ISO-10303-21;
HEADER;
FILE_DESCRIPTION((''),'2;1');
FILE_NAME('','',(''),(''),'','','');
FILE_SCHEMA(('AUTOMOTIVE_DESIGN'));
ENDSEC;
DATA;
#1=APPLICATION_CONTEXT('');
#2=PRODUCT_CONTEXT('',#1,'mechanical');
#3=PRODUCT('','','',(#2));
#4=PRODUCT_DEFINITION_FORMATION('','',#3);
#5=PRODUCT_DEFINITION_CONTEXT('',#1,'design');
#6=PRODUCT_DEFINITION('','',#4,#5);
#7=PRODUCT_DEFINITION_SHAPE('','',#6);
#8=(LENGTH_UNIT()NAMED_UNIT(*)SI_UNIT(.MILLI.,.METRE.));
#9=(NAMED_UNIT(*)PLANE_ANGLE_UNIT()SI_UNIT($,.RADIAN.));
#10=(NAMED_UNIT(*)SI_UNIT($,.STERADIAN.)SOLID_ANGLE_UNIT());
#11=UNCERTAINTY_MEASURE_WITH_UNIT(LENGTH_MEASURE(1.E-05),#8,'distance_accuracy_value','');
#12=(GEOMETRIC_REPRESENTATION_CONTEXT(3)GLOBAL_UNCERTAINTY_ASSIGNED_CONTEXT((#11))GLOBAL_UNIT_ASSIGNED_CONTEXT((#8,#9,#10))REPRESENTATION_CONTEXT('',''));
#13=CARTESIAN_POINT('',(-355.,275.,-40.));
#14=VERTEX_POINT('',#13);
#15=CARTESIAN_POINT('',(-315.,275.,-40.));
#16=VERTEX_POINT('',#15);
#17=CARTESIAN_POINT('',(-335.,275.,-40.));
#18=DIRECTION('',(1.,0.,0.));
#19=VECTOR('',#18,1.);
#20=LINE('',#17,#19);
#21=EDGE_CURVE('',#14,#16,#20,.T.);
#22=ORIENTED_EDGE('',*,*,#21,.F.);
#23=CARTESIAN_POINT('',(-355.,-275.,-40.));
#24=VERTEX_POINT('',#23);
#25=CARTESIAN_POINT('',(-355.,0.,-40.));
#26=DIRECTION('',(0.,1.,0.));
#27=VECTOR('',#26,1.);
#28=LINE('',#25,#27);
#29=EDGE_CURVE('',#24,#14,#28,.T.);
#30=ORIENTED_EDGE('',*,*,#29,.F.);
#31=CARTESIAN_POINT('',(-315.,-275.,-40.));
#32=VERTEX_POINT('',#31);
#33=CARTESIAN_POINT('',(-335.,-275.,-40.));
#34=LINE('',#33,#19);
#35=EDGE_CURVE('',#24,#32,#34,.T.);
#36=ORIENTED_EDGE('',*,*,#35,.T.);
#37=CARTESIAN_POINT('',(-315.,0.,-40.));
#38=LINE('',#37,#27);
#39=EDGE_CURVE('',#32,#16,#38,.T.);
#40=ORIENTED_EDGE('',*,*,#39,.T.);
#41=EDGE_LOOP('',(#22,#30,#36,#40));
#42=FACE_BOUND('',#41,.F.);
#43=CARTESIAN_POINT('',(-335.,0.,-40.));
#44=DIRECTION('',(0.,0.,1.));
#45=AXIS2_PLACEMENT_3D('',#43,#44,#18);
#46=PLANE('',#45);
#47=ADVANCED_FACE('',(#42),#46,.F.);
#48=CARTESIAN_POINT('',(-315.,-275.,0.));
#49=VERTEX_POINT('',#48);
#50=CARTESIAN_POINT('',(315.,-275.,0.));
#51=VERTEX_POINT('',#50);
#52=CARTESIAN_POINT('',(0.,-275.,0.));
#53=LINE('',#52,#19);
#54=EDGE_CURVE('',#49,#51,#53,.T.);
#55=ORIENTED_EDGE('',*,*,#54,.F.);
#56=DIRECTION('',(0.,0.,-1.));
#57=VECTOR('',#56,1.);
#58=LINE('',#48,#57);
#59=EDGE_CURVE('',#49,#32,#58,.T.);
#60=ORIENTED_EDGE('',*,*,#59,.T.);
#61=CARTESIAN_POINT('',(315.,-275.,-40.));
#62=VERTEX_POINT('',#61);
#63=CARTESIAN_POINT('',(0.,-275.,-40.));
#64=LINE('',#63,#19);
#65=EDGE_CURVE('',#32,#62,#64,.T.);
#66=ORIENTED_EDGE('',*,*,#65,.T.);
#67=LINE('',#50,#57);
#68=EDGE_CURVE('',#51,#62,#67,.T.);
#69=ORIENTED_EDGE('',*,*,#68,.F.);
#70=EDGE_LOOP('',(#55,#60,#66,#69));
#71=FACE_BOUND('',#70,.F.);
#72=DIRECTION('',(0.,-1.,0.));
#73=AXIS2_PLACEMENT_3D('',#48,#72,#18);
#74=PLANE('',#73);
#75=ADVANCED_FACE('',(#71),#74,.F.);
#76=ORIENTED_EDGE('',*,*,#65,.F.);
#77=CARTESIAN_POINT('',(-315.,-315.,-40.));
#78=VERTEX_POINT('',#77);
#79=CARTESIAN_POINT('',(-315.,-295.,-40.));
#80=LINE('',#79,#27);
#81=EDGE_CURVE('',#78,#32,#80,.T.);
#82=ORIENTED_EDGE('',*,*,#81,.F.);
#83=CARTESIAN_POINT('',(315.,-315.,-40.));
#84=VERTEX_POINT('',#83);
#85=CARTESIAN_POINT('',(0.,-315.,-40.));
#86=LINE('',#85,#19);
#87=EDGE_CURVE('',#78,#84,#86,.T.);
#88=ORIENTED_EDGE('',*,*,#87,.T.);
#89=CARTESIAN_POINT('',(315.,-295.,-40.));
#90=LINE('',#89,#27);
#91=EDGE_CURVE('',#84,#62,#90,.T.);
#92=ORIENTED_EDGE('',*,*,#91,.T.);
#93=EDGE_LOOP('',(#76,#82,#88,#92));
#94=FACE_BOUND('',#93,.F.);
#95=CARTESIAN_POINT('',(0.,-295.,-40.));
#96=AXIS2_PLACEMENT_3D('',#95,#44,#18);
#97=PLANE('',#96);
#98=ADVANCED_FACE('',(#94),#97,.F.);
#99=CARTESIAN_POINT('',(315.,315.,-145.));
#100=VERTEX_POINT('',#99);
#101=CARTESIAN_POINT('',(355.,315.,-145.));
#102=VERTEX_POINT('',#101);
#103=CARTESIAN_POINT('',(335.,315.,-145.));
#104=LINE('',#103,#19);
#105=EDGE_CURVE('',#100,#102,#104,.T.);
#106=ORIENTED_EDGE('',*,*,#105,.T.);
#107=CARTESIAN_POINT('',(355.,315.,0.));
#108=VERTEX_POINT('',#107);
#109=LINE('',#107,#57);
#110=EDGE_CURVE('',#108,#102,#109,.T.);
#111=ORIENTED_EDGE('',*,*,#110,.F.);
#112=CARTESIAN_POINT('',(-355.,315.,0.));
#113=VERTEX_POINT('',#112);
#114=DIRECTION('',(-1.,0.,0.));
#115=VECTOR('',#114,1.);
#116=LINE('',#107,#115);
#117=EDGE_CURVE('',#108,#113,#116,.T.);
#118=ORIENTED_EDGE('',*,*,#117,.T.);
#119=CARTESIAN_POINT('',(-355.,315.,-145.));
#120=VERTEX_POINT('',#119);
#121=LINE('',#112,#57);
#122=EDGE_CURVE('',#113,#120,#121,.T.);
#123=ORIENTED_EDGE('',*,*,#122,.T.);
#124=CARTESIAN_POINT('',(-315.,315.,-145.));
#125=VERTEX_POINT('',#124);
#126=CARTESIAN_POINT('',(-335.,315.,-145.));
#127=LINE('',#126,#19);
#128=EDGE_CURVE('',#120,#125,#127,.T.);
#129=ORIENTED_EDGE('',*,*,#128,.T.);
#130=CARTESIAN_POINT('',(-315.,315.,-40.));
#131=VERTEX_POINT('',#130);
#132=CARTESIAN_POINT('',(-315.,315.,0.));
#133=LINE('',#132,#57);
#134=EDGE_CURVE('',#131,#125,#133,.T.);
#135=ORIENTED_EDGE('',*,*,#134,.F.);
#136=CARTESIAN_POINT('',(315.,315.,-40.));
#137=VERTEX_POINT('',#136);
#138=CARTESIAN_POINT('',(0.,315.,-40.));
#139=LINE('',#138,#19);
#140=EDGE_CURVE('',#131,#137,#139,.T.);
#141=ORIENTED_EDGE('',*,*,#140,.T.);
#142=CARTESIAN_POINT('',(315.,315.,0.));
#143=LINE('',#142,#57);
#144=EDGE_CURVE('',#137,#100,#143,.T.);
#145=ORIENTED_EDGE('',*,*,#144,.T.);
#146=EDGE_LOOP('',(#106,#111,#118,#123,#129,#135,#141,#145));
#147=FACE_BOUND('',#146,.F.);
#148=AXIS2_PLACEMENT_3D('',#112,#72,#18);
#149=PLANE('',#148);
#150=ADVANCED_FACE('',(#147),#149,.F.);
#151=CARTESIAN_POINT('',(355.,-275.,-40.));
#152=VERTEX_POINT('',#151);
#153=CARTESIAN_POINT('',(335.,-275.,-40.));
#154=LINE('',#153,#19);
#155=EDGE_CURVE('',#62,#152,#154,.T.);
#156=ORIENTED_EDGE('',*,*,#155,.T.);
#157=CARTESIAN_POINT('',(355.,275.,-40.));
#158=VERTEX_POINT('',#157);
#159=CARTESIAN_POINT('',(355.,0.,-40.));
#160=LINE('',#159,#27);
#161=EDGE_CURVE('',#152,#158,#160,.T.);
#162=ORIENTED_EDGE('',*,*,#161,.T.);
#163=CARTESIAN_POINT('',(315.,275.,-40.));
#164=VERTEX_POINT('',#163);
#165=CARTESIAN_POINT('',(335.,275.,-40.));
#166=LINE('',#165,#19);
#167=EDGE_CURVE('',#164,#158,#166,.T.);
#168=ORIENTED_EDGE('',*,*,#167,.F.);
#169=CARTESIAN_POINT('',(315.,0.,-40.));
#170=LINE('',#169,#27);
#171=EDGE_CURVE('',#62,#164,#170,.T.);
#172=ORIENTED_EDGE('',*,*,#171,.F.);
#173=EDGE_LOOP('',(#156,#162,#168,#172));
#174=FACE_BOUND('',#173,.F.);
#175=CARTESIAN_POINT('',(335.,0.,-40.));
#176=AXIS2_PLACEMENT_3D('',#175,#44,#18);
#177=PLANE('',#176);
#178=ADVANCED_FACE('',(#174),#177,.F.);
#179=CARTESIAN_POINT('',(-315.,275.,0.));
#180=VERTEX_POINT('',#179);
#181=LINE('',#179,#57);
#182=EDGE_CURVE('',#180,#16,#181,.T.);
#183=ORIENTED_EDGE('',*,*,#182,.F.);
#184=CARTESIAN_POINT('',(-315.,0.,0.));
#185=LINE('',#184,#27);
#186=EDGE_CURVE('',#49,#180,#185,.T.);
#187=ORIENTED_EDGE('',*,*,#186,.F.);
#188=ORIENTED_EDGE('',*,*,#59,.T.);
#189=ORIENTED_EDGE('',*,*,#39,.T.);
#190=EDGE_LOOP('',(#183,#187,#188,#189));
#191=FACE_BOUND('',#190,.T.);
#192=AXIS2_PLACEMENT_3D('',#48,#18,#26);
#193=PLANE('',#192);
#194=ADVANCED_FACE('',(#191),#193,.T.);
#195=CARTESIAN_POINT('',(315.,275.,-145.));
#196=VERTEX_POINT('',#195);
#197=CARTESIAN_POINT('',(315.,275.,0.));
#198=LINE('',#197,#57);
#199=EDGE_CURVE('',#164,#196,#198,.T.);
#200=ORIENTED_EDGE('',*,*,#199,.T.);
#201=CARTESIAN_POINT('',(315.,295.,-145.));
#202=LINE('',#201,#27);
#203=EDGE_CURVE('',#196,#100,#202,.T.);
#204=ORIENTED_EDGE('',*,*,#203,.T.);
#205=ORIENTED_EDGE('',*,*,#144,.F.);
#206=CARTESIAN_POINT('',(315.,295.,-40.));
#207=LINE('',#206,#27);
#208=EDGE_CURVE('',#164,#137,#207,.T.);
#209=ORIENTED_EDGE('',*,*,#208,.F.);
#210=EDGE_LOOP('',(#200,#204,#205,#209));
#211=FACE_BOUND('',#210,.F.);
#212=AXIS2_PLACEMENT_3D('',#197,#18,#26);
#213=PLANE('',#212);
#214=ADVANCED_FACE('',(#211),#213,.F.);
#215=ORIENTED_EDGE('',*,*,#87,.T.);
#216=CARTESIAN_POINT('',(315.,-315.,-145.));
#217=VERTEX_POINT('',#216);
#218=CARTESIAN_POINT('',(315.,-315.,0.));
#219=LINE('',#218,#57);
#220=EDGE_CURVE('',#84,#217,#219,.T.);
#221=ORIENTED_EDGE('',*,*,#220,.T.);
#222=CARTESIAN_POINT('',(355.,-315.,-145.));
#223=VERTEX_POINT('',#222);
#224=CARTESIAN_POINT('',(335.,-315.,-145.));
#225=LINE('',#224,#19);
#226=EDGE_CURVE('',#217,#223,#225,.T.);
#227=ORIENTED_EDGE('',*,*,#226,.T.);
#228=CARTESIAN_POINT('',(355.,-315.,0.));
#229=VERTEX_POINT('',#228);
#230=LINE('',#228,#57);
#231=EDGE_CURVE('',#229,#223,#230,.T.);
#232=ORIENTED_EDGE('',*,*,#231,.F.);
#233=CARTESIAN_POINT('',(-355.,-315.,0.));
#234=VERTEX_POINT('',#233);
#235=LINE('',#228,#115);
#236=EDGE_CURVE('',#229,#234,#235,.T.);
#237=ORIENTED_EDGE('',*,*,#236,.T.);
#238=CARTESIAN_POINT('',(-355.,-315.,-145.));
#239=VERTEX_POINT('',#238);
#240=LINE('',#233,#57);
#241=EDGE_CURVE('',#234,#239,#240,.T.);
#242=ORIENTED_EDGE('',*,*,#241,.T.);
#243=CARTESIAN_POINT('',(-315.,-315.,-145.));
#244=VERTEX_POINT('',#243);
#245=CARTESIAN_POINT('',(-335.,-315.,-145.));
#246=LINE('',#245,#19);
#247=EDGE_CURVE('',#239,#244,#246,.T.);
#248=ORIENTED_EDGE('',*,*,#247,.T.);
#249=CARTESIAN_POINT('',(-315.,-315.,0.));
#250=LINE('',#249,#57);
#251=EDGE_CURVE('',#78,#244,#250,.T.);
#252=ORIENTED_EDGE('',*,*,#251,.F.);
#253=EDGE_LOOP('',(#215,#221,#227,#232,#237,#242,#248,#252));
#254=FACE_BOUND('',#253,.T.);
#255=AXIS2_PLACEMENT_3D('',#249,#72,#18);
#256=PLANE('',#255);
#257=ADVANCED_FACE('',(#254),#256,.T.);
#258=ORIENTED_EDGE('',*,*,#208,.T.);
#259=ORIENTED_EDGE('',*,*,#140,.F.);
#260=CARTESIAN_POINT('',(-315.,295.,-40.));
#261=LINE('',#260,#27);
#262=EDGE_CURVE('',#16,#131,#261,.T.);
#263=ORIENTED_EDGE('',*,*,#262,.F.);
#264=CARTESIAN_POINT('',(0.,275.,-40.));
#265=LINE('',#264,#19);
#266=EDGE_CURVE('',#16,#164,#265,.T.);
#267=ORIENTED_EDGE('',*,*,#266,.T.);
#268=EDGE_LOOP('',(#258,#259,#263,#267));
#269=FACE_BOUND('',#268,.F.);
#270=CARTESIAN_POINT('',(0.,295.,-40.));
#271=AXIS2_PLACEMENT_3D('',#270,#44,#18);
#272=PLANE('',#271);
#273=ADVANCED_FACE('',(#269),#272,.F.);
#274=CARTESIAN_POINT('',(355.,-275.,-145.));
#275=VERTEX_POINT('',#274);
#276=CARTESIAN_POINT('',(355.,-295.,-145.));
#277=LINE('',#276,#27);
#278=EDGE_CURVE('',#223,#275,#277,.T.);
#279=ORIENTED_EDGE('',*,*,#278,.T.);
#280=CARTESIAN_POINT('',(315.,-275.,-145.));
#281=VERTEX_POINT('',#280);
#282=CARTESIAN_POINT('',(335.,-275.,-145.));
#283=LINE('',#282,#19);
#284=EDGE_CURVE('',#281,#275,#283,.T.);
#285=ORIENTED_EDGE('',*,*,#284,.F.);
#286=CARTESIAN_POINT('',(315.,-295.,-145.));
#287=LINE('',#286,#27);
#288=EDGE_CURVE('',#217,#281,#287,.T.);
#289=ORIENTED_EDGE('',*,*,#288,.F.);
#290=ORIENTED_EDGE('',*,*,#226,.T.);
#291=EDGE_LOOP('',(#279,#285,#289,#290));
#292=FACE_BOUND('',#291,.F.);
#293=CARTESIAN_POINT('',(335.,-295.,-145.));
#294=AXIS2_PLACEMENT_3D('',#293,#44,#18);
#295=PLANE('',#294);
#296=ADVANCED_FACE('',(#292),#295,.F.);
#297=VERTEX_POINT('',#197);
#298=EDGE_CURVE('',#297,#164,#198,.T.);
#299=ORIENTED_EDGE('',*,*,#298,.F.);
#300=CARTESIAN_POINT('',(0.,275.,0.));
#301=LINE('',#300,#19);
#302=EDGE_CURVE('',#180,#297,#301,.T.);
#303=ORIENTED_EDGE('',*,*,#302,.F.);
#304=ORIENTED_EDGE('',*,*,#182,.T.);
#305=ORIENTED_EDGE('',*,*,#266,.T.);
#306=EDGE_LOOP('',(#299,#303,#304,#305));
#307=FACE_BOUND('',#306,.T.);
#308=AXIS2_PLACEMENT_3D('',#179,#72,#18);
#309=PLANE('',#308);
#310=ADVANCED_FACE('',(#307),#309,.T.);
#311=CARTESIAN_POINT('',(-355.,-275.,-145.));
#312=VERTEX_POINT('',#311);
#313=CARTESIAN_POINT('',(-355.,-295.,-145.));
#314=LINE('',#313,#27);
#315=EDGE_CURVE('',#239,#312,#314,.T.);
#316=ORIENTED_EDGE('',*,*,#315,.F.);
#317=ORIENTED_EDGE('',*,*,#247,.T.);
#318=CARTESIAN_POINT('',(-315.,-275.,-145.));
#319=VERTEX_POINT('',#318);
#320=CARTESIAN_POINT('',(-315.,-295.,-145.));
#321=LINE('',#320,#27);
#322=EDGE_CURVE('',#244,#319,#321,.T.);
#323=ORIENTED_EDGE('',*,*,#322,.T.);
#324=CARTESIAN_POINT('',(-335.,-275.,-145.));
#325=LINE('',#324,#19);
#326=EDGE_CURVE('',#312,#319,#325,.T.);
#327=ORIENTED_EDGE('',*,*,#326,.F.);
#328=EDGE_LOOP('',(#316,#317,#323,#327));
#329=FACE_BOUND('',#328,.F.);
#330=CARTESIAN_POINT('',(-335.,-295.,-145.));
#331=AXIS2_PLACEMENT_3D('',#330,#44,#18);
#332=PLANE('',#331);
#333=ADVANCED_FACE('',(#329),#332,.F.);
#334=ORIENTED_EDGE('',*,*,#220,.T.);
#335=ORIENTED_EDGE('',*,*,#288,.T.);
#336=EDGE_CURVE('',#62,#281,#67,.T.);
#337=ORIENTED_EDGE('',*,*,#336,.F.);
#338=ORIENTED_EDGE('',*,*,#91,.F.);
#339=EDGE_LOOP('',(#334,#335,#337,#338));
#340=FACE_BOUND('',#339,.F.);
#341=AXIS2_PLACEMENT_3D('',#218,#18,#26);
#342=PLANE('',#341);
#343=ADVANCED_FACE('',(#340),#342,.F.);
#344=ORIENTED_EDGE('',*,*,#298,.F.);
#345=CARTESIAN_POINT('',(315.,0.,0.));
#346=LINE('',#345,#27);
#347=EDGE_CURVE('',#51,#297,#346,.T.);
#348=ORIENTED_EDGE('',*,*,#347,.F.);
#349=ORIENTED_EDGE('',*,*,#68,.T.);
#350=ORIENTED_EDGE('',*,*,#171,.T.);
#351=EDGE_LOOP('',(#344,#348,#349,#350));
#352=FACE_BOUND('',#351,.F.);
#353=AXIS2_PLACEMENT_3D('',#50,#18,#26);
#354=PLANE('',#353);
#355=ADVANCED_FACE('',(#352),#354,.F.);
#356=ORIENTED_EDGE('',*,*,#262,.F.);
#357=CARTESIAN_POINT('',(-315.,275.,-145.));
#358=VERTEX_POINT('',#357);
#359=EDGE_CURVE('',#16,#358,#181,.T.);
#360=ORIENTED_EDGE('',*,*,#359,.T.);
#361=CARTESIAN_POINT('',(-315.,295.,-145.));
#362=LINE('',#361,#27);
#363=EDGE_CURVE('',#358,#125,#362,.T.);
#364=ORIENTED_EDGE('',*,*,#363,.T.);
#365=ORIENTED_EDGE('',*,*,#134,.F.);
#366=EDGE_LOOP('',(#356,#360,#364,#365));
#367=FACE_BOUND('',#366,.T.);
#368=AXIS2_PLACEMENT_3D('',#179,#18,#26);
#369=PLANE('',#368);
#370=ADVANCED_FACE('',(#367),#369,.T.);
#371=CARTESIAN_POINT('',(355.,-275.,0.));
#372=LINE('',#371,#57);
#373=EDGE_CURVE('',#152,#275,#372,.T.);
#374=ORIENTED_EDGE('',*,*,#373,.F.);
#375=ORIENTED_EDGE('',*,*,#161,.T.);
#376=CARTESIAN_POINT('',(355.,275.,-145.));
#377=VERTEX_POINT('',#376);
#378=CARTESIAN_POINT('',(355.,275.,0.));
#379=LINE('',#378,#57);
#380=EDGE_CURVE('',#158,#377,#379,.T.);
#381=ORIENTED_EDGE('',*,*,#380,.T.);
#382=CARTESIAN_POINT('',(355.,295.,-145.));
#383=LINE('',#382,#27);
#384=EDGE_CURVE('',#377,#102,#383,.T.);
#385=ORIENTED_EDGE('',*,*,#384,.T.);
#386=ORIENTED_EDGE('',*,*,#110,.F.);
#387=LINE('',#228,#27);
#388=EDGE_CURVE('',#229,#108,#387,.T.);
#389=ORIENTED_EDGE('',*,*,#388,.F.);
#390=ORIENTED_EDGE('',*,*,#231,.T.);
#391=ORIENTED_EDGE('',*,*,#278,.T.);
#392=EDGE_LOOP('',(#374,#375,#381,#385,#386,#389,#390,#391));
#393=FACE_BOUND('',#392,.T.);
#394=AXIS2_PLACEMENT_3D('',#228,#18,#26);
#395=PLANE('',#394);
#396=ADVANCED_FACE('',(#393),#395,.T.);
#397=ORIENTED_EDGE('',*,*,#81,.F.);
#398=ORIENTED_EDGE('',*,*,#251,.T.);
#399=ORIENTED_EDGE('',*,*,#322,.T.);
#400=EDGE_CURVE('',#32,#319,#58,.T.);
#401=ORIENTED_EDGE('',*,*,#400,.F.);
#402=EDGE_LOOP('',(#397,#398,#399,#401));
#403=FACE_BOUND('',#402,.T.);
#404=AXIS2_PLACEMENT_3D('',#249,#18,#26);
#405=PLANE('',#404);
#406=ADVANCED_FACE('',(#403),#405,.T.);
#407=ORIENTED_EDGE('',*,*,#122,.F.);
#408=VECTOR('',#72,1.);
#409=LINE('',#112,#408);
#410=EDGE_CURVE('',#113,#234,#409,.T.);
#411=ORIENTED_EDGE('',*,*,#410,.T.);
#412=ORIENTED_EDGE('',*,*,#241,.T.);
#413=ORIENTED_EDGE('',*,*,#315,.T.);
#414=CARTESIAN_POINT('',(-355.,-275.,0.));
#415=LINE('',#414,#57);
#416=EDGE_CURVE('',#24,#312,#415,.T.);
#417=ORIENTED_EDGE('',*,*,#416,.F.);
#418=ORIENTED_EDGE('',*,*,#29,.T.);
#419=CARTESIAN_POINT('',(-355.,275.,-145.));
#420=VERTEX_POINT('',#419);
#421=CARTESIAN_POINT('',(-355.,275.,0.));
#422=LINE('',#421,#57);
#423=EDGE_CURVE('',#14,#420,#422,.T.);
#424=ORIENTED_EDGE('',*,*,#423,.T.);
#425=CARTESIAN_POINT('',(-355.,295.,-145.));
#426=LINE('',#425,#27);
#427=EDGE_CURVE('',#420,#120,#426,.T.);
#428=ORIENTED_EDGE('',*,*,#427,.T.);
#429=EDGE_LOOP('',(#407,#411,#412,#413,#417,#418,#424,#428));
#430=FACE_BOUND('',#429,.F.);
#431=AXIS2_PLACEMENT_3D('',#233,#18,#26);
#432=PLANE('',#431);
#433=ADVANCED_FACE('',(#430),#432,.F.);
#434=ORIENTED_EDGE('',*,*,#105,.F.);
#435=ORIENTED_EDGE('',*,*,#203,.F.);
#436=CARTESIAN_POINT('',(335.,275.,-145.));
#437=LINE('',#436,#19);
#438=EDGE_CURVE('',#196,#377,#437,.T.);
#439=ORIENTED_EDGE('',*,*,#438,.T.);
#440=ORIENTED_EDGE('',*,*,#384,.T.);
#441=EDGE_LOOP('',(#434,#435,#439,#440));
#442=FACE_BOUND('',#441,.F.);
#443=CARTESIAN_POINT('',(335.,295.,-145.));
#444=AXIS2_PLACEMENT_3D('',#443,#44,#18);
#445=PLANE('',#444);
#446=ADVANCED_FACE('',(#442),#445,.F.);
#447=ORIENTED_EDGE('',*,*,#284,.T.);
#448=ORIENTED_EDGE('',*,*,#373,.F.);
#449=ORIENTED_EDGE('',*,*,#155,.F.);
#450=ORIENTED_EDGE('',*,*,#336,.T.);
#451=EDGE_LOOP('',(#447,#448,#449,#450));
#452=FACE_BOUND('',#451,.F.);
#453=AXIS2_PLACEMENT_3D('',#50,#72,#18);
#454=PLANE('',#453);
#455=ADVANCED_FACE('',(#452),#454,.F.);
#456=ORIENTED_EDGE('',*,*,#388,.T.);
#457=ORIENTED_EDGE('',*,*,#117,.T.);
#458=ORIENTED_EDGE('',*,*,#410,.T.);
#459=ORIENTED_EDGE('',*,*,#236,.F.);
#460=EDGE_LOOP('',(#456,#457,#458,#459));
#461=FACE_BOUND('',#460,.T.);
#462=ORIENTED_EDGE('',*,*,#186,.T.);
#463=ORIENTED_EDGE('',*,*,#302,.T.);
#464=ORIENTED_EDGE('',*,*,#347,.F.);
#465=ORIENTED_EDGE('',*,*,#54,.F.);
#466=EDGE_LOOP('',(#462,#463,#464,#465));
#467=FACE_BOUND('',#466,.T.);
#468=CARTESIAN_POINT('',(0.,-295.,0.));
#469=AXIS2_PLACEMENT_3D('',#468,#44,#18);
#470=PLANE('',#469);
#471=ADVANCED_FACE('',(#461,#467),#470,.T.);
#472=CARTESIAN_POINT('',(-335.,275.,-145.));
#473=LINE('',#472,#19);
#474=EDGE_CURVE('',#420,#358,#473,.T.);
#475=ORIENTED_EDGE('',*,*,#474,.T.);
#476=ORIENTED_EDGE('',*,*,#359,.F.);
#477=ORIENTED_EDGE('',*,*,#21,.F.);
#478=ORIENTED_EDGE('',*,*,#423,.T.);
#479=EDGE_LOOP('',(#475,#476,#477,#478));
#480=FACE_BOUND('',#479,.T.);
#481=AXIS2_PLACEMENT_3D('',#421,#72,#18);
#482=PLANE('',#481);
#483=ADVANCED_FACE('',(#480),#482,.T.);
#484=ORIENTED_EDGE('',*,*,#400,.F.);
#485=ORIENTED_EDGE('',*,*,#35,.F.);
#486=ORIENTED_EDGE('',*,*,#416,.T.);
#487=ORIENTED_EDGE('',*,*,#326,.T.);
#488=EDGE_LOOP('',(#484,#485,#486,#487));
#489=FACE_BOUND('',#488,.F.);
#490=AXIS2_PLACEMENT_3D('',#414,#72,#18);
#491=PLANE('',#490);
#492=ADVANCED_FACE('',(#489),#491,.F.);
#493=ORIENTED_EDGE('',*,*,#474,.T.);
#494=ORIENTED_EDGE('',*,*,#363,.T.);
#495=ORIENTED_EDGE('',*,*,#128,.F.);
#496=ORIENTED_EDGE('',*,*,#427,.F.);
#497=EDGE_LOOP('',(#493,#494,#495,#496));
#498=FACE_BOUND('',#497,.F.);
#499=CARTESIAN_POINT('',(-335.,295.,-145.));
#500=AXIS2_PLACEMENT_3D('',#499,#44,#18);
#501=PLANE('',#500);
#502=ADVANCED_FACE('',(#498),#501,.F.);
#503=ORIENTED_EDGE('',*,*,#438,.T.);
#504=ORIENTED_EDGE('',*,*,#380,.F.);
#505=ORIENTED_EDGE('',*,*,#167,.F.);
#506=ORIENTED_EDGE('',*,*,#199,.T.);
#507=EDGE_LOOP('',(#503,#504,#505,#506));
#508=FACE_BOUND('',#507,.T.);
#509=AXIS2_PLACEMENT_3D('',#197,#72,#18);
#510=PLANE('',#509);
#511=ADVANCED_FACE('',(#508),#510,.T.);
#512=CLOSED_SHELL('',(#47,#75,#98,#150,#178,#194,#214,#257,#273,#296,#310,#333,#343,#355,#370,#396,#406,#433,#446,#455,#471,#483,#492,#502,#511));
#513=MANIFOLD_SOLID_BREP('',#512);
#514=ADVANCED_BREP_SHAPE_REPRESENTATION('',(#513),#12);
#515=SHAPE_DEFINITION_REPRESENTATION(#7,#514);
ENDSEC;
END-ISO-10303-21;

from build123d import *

# Parameters (mm, degrees)
F0_W     = 40
F0_H     = 40
F1_DEPTH = 145
F0_W_2   = 630
F0_H_2   = 550
F2_DEPTH = 40


with BuildPart() as f1:
    # F0 (on Top) → F1 (new body)
    with BuildSketch(Plane.XY):
        with Locations((-335, 295)):
            Rectangle(F0_W, F0_H)
    extrude(amount=-F1_DEPTH)



with BuildPart() as f1b:
    # F0 (on Top) → F1, piece 2 (new body)
    with BuildSketch(Plane.XY):
        with Locations((335, 295)):
            Rectangle(F0_W, F0_H)
    extrude(amount=-F1_DEPTH)


with BuildPart() as f1c:
    # F0 (on Top) → F1, piece 3 (new body)
    with BuildSketch(Plane.XY):
        with Locations((335, -295)):
            Rectangle(F0_W, F0_H)
    extrude(amount=-F1_DEPTH)


with BuildPart() as f1d:
    # F0 (on Top) → F1, piece 4 (new body)
    with BuildSketch(Plane.XY):
        with Locations((-335, -295)):
            Rectangle(F0_W, F0_H)
    extrude(amount=-F1_DEPTH)


with BuildPart() as f1_1:
    add(f1.part)

    add(f1b.part)  # F2 merges F1b

    add(f1c.part)  # F2 merges F1c

    add(f1d.part)  # F2 merges F1d
    # F0 (on Top) → F2 (join)
    with BuildSketch(Plane.XY):
        with Locations((0, -295)):
            Rectangle(F0_W_2, F0_H)
        with Locations((335, 0)):
            Rectangle(F0_W, F0_H_2)
        with Locations((0, 295)):
            Rectangle(F0_W_2, F0_H)
        with Locations((-335, 0)):
            Rectangle(F0_W, F0_H_2)
    extrude(amount=-F2_DEPTH)


solid = f1_1.part
